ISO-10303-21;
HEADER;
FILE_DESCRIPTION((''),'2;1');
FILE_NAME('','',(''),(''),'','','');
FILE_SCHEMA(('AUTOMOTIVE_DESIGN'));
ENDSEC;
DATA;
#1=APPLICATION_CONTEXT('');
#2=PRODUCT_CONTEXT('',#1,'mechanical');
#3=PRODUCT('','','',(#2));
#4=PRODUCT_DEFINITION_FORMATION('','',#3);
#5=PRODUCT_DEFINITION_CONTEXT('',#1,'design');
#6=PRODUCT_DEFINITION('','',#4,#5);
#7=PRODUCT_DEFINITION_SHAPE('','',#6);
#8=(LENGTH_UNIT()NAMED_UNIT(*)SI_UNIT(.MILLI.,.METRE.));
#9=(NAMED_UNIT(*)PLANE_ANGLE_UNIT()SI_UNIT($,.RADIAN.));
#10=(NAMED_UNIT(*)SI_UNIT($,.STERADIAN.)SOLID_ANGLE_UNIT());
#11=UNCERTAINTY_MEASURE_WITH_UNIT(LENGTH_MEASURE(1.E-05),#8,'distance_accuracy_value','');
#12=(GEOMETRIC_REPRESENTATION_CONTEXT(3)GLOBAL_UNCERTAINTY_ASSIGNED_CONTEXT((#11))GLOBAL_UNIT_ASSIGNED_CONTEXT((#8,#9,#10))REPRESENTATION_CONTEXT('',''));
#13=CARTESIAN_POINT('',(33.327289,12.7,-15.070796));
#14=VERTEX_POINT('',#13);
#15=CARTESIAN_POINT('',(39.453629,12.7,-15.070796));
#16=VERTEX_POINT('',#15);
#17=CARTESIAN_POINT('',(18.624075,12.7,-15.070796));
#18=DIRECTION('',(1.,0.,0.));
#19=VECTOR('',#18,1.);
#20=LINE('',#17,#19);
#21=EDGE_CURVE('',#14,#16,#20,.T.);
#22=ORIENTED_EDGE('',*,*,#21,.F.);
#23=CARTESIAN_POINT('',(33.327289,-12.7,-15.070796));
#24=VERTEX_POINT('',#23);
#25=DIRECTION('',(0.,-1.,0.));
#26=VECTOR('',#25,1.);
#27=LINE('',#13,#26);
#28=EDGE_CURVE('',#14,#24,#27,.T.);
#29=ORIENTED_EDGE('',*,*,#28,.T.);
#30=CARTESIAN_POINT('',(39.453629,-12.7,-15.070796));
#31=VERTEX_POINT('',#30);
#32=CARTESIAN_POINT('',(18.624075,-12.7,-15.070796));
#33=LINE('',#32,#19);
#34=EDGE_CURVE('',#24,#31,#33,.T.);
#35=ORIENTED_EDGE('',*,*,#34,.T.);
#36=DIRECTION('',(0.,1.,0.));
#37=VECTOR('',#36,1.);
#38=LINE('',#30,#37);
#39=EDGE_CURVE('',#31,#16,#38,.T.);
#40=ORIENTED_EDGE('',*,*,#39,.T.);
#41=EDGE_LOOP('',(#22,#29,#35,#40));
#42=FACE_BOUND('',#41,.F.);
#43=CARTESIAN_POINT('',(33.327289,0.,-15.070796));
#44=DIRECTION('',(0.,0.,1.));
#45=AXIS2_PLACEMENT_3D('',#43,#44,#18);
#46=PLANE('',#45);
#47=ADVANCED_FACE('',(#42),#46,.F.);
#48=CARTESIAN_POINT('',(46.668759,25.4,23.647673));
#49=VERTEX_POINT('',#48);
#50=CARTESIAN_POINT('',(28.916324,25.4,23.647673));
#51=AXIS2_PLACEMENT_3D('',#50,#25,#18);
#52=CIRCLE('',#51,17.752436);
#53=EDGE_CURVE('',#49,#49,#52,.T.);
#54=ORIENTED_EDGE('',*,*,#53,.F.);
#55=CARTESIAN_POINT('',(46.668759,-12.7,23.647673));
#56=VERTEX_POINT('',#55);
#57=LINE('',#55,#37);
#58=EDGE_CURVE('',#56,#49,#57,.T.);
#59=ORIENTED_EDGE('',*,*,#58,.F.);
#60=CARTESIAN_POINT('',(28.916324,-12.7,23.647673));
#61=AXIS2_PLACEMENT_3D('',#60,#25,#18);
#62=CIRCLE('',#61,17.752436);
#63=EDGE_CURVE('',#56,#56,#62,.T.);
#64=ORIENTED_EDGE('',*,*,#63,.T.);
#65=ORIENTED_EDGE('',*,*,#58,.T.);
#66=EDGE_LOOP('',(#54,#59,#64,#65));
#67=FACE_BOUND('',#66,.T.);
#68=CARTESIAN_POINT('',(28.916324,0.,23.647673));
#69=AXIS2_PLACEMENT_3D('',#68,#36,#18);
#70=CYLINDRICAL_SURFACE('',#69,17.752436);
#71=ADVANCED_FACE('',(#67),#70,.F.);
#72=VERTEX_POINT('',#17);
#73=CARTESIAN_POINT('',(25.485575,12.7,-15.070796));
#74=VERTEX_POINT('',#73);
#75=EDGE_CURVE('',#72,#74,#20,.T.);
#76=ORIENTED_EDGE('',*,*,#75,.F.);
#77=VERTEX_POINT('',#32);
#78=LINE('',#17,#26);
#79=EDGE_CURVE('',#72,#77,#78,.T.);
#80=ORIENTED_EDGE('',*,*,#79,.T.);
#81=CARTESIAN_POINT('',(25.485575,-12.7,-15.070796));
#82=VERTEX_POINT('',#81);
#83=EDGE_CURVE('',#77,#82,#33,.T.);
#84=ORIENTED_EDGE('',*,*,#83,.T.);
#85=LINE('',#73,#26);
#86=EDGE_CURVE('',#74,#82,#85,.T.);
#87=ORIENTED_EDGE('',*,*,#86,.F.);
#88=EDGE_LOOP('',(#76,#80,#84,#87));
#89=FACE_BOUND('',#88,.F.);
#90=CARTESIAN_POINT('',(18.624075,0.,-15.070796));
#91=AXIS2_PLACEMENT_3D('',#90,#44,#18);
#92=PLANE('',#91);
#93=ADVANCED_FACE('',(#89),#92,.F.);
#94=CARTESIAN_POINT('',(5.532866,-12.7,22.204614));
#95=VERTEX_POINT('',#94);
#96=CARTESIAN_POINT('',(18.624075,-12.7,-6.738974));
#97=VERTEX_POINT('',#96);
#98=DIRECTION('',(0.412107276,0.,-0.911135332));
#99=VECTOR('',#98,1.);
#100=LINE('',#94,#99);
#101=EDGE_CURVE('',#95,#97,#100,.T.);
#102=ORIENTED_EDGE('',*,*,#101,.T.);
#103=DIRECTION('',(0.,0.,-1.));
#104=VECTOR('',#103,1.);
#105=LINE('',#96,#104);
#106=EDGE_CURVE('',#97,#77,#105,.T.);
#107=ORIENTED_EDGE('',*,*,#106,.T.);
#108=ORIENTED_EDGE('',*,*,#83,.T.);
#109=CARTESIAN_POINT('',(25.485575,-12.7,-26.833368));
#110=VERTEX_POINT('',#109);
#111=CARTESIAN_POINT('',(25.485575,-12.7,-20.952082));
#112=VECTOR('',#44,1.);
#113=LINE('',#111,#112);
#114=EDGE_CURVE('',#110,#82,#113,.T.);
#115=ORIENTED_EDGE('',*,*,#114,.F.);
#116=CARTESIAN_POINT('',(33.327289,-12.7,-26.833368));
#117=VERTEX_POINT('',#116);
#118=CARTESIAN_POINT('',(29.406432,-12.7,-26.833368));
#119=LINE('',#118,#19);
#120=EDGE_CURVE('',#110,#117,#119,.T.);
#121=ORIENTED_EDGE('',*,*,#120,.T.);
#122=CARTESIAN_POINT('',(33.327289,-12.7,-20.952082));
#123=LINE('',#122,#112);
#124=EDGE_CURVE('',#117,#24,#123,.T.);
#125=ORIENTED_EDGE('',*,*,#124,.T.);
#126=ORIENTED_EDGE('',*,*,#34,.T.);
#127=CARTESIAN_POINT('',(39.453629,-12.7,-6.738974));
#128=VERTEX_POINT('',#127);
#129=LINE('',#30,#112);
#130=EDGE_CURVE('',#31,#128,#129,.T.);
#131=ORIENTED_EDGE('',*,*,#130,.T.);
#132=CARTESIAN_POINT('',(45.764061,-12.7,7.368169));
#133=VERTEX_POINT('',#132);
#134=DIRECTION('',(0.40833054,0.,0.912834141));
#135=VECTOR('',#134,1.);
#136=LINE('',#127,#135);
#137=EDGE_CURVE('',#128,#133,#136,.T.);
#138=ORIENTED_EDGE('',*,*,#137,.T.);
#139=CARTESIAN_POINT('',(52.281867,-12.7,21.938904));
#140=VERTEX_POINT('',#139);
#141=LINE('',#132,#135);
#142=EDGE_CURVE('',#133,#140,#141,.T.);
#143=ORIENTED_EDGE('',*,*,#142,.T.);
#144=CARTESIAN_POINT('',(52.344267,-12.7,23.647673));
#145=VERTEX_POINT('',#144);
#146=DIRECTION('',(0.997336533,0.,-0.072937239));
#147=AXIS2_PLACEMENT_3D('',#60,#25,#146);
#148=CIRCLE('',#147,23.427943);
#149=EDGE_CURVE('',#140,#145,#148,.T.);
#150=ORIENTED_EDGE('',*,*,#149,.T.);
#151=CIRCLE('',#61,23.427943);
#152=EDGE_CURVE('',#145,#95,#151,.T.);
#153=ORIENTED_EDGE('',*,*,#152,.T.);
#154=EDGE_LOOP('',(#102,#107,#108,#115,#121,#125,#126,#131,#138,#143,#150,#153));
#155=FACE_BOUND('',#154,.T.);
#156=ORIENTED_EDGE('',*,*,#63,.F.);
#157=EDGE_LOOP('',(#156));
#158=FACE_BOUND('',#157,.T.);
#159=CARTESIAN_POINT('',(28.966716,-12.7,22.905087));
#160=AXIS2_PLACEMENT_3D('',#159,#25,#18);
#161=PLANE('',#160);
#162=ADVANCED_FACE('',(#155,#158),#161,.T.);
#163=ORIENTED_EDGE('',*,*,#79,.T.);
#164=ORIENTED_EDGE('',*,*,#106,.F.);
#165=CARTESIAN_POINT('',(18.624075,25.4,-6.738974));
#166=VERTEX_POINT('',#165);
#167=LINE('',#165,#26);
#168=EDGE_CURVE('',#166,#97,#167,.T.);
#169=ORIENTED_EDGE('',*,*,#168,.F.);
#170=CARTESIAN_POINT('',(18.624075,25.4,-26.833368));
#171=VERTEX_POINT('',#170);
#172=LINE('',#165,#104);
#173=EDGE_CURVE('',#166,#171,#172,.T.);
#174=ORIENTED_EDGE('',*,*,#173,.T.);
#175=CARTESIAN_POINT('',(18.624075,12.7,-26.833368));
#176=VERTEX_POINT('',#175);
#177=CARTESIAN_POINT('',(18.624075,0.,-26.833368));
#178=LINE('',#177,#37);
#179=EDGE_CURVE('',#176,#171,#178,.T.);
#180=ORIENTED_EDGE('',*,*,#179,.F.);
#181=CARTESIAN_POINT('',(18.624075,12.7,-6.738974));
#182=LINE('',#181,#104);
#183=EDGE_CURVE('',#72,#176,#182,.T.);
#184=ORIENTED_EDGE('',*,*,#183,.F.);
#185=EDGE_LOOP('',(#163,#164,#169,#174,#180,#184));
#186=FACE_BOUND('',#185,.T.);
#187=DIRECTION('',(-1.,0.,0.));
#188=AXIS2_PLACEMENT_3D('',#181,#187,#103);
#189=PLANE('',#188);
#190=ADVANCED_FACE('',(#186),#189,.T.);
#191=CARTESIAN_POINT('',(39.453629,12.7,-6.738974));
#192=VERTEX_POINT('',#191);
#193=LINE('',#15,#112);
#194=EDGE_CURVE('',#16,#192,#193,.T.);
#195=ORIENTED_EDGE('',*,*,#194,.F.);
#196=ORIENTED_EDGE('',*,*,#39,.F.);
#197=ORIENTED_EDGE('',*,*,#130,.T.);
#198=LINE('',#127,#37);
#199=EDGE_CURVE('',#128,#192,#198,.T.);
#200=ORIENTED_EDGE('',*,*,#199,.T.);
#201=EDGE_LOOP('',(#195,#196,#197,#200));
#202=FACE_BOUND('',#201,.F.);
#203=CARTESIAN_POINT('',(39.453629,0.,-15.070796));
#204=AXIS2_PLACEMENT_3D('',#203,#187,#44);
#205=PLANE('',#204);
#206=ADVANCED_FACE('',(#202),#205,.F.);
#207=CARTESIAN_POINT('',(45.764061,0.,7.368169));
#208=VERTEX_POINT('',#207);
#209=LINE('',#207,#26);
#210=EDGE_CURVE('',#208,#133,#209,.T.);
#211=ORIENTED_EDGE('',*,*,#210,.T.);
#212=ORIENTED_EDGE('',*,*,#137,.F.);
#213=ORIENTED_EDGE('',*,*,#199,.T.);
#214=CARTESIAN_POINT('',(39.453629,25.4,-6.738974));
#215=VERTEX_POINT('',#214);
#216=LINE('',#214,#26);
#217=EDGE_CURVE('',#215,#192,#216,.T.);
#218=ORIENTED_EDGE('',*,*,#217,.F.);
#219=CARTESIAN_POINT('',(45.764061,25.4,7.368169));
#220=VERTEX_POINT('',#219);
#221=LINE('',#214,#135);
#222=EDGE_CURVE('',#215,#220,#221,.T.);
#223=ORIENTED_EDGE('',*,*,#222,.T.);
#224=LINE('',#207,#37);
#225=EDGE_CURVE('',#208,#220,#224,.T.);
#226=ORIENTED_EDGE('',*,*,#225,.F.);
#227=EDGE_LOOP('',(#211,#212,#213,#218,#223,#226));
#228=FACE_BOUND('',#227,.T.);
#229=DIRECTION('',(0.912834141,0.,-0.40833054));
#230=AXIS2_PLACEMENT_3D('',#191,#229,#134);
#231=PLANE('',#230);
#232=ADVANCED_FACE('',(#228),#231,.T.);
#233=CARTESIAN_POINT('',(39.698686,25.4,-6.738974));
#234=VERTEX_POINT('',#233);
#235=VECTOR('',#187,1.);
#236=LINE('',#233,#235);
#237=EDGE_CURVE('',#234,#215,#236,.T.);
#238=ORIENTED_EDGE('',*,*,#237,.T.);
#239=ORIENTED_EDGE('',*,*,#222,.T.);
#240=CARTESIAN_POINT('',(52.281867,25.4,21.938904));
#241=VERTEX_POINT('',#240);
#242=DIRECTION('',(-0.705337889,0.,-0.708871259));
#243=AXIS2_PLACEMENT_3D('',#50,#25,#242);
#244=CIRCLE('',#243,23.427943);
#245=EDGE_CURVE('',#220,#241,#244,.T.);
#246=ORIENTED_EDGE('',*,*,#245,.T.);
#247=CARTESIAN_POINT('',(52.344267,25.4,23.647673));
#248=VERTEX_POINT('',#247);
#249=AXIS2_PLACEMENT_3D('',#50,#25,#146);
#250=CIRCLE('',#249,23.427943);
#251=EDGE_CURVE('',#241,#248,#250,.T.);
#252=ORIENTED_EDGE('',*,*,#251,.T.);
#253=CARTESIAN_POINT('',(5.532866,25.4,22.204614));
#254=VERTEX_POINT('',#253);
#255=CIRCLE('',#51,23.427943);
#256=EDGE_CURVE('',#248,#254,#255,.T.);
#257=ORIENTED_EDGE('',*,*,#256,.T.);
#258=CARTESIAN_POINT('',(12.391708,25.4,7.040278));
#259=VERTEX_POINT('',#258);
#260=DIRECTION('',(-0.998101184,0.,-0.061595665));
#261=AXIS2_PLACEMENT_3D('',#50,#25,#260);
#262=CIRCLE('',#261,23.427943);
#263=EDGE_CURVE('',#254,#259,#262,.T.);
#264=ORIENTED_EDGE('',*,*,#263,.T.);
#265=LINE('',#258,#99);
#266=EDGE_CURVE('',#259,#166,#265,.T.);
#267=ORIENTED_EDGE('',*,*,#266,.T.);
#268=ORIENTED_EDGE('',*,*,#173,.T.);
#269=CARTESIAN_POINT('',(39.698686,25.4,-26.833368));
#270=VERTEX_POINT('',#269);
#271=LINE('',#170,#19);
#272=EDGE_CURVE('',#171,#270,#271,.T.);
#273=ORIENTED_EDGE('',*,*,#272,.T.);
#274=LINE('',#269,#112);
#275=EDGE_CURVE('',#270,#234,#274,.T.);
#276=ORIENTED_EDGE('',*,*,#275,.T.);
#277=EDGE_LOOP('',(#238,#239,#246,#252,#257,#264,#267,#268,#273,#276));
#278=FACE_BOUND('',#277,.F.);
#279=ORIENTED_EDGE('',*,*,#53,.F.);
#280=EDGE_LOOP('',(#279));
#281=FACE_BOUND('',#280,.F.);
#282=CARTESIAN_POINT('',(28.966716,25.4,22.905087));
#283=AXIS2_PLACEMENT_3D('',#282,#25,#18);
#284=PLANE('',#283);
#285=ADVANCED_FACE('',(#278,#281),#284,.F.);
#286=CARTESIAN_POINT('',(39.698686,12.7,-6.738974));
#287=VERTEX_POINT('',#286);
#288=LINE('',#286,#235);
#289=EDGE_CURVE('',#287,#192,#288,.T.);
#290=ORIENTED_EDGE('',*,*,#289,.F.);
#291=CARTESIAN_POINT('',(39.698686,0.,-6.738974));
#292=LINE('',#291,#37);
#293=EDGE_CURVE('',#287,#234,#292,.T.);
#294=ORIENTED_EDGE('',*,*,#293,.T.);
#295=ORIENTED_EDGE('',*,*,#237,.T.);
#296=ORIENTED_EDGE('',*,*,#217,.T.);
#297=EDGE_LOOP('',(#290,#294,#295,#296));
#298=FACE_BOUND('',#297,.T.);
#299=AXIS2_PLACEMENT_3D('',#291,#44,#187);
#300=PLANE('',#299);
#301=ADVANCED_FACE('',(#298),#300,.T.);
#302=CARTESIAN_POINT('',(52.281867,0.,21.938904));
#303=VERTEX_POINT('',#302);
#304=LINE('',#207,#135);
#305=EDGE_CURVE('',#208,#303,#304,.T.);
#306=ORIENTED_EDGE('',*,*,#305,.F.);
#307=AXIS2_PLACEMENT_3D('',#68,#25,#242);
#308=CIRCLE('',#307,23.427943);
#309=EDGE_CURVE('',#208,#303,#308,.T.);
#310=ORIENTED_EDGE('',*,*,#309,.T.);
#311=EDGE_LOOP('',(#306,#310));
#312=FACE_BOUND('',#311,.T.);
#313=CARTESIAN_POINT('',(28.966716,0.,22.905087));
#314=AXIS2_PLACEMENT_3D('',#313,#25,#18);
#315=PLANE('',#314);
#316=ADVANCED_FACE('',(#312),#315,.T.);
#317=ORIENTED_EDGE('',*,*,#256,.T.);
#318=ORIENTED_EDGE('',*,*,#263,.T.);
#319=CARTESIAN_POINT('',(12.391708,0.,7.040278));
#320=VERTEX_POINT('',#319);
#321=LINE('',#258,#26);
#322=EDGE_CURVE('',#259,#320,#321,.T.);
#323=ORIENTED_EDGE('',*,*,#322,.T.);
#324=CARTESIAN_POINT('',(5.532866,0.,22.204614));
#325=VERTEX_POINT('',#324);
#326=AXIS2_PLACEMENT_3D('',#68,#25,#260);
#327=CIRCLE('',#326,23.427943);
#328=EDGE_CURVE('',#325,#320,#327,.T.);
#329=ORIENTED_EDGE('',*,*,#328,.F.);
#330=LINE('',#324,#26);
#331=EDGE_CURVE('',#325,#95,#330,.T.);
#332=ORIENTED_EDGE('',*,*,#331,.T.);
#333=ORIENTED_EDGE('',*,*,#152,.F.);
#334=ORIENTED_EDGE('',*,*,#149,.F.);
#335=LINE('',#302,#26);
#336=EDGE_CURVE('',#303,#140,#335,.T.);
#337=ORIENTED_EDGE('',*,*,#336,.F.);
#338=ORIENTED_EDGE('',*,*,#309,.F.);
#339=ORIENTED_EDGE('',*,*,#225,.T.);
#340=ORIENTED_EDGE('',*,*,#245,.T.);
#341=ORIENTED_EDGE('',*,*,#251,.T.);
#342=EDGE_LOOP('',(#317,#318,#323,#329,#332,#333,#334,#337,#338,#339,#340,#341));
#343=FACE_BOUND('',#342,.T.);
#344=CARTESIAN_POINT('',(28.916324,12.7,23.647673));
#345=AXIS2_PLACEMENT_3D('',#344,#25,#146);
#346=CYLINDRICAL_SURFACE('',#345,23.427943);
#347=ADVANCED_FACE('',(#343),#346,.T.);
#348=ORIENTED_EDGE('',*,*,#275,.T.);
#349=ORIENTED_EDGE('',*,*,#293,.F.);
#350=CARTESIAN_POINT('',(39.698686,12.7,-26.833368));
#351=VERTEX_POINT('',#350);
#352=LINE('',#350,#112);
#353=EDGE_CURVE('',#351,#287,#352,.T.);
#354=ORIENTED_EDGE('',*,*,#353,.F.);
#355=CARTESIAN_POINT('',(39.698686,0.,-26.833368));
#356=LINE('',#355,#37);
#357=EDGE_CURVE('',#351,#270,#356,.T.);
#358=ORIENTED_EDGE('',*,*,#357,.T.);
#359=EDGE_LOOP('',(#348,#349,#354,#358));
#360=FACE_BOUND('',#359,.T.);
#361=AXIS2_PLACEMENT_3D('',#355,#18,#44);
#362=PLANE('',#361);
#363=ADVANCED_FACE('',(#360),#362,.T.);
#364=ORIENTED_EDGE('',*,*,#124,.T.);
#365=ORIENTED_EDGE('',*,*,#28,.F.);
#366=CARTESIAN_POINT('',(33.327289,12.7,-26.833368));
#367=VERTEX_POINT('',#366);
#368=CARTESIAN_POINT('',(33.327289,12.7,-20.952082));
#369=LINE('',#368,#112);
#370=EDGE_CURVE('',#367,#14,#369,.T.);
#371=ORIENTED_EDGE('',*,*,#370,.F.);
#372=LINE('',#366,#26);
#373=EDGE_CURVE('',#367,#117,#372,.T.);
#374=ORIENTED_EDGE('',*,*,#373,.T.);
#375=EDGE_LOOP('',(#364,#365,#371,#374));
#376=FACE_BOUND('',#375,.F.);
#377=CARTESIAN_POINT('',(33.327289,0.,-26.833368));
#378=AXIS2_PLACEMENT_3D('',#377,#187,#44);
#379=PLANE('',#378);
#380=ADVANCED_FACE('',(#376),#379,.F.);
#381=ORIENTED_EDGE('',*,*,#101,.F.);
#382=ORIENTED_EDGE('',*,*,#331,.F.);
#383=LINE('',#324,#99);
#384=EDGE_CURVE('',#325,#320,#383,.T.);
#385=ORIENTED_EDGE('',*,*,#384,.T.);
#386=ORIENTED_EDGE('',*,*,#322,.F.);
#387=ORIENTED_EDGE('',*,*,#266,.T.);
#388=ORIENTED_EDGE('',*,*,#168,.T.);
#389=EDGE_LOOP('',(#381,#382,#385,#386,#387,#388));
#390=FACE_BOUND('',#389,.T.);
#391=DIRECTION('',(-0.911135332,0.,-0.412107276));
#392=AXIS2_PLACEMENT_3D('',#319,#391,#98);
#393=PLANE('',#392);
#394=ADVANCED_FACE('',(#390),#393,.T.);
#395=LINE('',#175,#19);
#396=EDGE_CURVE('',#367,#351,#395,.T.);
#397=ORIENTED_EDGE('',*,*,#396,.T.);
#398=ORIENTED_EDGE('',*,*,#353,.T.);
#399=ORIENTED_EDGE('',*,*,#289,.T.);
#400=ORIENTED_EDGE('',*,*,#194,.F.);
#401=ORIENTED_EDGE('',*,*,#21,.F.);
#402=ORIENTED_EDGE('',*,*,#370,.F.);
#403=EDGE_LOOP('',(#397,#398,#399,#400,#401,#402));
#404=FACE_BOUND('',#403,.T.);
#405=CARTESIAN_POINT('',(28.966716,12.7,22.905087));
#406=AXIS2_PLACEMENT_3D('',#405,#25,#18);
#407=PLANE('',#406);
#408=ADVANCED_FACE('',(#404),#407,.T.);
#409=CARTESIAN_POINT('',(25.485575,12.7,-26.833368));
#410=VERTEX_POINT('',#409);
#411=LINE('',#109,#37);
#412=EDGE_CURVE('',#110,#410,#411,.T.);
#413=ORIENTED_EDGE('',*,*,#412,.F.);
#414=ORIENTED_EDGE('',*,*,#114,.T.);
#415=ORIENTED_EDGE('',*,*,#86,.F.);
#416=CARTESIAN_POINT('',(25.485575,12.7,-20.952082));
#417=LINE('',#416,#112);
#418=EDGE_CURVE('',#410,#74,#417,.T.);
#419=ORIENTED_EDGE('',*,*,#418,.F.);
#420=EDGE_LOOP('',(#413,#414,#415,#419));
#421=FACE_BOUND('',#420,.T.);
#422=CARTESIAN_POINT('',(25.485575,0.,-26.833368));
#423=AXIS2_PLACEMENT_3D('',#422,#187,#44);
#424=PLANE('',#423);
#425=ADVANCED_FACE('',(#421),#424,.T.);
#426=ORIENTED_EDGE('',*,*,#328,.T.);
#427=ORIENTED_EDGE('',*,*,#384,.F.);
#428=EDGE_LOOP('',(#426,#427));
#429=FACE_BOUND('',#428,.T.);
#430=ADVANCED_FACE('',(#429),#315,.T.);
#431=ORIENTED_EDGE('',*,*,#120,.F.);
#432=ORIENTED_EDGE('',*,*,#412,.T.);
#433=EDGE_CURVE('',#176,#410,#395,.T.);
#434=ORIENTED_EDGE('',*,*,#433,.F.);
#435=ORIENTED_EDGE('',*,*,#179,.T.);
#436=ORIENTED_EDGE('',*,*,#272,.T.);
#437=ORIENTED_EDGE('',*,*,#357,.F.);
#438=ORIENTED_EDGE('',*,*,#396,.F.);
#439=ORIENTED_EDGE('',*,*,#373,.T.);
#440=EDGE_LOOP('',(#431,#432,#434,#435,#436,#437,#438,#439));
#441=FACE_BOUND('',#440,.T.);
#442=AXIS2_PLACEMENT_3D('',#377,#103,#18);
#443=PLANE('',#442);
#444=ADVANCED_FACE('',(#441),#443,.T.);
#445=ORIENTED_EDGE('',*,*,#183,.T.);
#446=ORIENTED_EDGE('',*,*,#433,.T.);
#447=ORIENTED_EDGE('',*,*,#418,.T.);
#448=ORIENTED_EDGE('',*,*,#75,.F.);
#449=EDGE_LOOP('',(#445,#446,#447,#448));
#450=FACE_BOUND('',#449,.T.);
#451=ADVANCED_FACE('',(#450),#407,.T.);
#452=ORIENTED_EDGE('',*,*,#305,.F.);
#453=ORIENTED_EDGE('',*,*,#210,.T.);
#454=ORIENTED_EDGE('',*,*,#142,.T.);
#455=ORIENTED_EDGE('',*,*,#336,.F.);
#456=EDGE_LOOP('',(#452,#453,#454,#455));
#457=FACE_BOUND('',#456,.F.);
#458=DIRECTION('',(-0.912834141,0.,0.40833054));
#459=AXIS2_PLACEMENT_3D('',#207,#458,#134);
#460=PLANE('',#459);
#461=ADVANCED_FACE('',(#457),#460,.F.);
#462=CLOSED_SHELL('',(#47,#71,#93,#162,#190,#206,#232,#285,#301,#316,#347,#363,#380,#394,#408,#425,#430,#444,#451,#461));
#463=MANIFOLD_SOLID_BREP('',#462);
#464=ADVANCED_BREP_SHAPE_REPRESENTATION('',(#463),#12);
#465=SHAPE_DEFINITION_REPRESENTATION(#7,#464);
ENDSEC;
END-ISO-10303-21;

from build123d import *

# Parameters (mm, degrees)
F0_R          = 17.7524356155
F0_W          = 7.8417137265
F0_H          = 11.7625724524
F1_DEPTH      = 12.7
F0_W_2        = 6.861500442
F2_DEPTH      = 12.7
F3_DEPTH      = 12.7
F4_DEPTH      = 12.7
F5_DEPTH      = 12.7
F5_DEPTH_BACK = 12.7


with BuildPart() as f1:
    # F0 (on Front) → F1 (new body)
    with BuildSketch(Plane.XZ):
        with BuildLine():
            ThreePointArc((52.2818670696, 21.9389039537), (52.3286615447, 22.7927192156), (52.3442666326, 23.6476734281))
            ThreePointArc((52.3442666326, 23.6476734281), (28.1944509327, 47.0644925256), (5.5328658292, 22.2046136927))
            Line((5.5328658292, 22.2046136927), (12.3917076344, 7.0402779271))
            ThreePointArc((12.3917076344, 7.0402779271), (29.1464973283, 0.2208610805), (45.764060769, 7.3681689029))
            Line((45.764060769, 7.3681689029), (52.2818670696, 21.9389039537))
        make_face()
        with Locations((28.9163235575, 23.6476734281)):
            Circle(F0_R, mode=Mode.SUBTRACT)
        with BuildLine():
            ThreePointArc((45.764060769, 7.3681689029), (29.1464973283, 0.2208610805), (12.3917076344, 7.0402779271))
            Line((12.3917076344, 7.0402779271), (18.6240747571, -6.7389737815))
            Line((18.6240747571, -6.7389737815), (39.4536294043, -6.7389737815))
            Line((39.4536294043, -6.7389737815), (45.764060769, 7.3681689029))
        make_face()
        Polygon((39.4536294043, -6.7389737815), (18.6240747571, -6.7389737815), (18.6240747571, -15.0707960129), (25.4855751991, -15.0707960129), (33.3272889256, -15.0707960129), (39.4536294043, -15.0707960129), align=None)
        with Locations((29.4064320624, -20.9520822391)):
            Rectangle(F0_W, F0_H)
    extrude(amount=F1_DEPTH)

    # F0 (on Front) → F2 (join)
    with BuildSketch(Plane.XZ):
        with BuildLine():
            ThreePointArc((52.2818670696, 21.9389039537), (52.3286615447, 22.7927192156), (52.3442666326, 23.6476734281))
            ThreePointArc((52.3442666326, 23.6476734281), (28.1944509327, 47.0644925256), (5.5328658292, 22.2046136927))
            Line((5.5328658292, 22.2046136927), (12.3917076344, 7.0402779271))
            ThreePointArc((12.3917076344, 7.0402779271), (29.1464973283, 0.2208610805), (45.764060769, 7.3681689029))
            Line((45.764060769, 7.3681689029), (52.2818670696, 21.9389039537))
        make_face()
        with Locations((28.9163235575, 23.6476734281)):
            Circle(F0_R, mode=Mode.SUBTRACT)
        with BuildLine():
            Line((12.3917076344, 7.0402779271), (5.5328658292, 22.2046136927))
            ThreePointArc((5.5328658292, 22.2046136927), (7.5702968676, 13.992847625), (12.3917076344, 7.0402779271))
        make_face()
        with BuildLine():
            ThreePointArc((45.764060769, 7.3681689029), (50.3021498595, 14.0813287702), (52.2818670696, 21.9389039537))
            Line((52.2818670696, 21.9389039537), (45.764060769, 7.3681689029))
        make_face()
        with BuildLine():
            ThreePointArc((45.764060769, 7.3681689029), (29.1464973283, 0.2208610805), (12.3917076344, 7.0402779271))
            Line((12.3917076344, 7.0402779271), (18.6240747571, -6.7389737815))
            Line((18.6240747571, -6.7389737815), (39.4536294043, -6.7389737815))
            Line((39.4536294043, -6.7389737815), (45.764060769, 7.3681689029))
        make_face()
        Polygon((39.4536294043, -6.7389737815), (18.6240747571, -6.7389737815), (18.6240747571, -15.0707960129), (25.4855751991, -15.0707960129), (33.3272889256, -15.0707960129), (39.4536294043, -15.0707960129), align=None)
        Polygon((39.6986864507, -6.7389737815), (39.4536294043, -6.7389737815), (39.4536294043, -15.0707960129), (33.3272889256, -15.0707960129), (33.3272889256, -26.8333684653), (39.6986864507, -26.8333684653), align=None)
        with Locations((22.0548249781, -20.9520822391)):
            Rectangle(F0_W_2, F0_H)
        with Locations((29.4064320624, -20.9520822391)):
            Rectangle(F0_W, F0_H)
    extrude(amount=-F2_DEPTH)

    # F3 (add): a face of the model
    f3_faces = [f1.faces().sort_by_distance(p)[0] for p in [
        (28.6947474354, 12.7, 46.1994273244),
    ]]
    extrude(f3_faces, amount=F3_DEPTH)

    # F4 (add): faces of the model
    f4_faces = [f1.faces().sort_by_distance(p)[0] for p in [
        (36.5942272767, 0, -20.6856164164),
        (22.0548249781, 0, -20.9520822391),
    ]]
    extrude(f4_faces, amount=-F4_DEPTH)

    # F5 (cut, two sides): faces of the model
    f5_faces = [f1.faces().sort_by_distance(p)[0] for p in [
        (36.5942272767, 0, -20.6856164164),
        (22.0548249781, 0, -20.9520822391),
    ]]
    extrude(f5_faces, amount=F5_DEPTH, mode=Mode.SUBTRACT)
    extrude(f5_faces, amount=-F5_DEPTH_BACK, mode=Mode.SUBTRACT)


solid = f1.part
